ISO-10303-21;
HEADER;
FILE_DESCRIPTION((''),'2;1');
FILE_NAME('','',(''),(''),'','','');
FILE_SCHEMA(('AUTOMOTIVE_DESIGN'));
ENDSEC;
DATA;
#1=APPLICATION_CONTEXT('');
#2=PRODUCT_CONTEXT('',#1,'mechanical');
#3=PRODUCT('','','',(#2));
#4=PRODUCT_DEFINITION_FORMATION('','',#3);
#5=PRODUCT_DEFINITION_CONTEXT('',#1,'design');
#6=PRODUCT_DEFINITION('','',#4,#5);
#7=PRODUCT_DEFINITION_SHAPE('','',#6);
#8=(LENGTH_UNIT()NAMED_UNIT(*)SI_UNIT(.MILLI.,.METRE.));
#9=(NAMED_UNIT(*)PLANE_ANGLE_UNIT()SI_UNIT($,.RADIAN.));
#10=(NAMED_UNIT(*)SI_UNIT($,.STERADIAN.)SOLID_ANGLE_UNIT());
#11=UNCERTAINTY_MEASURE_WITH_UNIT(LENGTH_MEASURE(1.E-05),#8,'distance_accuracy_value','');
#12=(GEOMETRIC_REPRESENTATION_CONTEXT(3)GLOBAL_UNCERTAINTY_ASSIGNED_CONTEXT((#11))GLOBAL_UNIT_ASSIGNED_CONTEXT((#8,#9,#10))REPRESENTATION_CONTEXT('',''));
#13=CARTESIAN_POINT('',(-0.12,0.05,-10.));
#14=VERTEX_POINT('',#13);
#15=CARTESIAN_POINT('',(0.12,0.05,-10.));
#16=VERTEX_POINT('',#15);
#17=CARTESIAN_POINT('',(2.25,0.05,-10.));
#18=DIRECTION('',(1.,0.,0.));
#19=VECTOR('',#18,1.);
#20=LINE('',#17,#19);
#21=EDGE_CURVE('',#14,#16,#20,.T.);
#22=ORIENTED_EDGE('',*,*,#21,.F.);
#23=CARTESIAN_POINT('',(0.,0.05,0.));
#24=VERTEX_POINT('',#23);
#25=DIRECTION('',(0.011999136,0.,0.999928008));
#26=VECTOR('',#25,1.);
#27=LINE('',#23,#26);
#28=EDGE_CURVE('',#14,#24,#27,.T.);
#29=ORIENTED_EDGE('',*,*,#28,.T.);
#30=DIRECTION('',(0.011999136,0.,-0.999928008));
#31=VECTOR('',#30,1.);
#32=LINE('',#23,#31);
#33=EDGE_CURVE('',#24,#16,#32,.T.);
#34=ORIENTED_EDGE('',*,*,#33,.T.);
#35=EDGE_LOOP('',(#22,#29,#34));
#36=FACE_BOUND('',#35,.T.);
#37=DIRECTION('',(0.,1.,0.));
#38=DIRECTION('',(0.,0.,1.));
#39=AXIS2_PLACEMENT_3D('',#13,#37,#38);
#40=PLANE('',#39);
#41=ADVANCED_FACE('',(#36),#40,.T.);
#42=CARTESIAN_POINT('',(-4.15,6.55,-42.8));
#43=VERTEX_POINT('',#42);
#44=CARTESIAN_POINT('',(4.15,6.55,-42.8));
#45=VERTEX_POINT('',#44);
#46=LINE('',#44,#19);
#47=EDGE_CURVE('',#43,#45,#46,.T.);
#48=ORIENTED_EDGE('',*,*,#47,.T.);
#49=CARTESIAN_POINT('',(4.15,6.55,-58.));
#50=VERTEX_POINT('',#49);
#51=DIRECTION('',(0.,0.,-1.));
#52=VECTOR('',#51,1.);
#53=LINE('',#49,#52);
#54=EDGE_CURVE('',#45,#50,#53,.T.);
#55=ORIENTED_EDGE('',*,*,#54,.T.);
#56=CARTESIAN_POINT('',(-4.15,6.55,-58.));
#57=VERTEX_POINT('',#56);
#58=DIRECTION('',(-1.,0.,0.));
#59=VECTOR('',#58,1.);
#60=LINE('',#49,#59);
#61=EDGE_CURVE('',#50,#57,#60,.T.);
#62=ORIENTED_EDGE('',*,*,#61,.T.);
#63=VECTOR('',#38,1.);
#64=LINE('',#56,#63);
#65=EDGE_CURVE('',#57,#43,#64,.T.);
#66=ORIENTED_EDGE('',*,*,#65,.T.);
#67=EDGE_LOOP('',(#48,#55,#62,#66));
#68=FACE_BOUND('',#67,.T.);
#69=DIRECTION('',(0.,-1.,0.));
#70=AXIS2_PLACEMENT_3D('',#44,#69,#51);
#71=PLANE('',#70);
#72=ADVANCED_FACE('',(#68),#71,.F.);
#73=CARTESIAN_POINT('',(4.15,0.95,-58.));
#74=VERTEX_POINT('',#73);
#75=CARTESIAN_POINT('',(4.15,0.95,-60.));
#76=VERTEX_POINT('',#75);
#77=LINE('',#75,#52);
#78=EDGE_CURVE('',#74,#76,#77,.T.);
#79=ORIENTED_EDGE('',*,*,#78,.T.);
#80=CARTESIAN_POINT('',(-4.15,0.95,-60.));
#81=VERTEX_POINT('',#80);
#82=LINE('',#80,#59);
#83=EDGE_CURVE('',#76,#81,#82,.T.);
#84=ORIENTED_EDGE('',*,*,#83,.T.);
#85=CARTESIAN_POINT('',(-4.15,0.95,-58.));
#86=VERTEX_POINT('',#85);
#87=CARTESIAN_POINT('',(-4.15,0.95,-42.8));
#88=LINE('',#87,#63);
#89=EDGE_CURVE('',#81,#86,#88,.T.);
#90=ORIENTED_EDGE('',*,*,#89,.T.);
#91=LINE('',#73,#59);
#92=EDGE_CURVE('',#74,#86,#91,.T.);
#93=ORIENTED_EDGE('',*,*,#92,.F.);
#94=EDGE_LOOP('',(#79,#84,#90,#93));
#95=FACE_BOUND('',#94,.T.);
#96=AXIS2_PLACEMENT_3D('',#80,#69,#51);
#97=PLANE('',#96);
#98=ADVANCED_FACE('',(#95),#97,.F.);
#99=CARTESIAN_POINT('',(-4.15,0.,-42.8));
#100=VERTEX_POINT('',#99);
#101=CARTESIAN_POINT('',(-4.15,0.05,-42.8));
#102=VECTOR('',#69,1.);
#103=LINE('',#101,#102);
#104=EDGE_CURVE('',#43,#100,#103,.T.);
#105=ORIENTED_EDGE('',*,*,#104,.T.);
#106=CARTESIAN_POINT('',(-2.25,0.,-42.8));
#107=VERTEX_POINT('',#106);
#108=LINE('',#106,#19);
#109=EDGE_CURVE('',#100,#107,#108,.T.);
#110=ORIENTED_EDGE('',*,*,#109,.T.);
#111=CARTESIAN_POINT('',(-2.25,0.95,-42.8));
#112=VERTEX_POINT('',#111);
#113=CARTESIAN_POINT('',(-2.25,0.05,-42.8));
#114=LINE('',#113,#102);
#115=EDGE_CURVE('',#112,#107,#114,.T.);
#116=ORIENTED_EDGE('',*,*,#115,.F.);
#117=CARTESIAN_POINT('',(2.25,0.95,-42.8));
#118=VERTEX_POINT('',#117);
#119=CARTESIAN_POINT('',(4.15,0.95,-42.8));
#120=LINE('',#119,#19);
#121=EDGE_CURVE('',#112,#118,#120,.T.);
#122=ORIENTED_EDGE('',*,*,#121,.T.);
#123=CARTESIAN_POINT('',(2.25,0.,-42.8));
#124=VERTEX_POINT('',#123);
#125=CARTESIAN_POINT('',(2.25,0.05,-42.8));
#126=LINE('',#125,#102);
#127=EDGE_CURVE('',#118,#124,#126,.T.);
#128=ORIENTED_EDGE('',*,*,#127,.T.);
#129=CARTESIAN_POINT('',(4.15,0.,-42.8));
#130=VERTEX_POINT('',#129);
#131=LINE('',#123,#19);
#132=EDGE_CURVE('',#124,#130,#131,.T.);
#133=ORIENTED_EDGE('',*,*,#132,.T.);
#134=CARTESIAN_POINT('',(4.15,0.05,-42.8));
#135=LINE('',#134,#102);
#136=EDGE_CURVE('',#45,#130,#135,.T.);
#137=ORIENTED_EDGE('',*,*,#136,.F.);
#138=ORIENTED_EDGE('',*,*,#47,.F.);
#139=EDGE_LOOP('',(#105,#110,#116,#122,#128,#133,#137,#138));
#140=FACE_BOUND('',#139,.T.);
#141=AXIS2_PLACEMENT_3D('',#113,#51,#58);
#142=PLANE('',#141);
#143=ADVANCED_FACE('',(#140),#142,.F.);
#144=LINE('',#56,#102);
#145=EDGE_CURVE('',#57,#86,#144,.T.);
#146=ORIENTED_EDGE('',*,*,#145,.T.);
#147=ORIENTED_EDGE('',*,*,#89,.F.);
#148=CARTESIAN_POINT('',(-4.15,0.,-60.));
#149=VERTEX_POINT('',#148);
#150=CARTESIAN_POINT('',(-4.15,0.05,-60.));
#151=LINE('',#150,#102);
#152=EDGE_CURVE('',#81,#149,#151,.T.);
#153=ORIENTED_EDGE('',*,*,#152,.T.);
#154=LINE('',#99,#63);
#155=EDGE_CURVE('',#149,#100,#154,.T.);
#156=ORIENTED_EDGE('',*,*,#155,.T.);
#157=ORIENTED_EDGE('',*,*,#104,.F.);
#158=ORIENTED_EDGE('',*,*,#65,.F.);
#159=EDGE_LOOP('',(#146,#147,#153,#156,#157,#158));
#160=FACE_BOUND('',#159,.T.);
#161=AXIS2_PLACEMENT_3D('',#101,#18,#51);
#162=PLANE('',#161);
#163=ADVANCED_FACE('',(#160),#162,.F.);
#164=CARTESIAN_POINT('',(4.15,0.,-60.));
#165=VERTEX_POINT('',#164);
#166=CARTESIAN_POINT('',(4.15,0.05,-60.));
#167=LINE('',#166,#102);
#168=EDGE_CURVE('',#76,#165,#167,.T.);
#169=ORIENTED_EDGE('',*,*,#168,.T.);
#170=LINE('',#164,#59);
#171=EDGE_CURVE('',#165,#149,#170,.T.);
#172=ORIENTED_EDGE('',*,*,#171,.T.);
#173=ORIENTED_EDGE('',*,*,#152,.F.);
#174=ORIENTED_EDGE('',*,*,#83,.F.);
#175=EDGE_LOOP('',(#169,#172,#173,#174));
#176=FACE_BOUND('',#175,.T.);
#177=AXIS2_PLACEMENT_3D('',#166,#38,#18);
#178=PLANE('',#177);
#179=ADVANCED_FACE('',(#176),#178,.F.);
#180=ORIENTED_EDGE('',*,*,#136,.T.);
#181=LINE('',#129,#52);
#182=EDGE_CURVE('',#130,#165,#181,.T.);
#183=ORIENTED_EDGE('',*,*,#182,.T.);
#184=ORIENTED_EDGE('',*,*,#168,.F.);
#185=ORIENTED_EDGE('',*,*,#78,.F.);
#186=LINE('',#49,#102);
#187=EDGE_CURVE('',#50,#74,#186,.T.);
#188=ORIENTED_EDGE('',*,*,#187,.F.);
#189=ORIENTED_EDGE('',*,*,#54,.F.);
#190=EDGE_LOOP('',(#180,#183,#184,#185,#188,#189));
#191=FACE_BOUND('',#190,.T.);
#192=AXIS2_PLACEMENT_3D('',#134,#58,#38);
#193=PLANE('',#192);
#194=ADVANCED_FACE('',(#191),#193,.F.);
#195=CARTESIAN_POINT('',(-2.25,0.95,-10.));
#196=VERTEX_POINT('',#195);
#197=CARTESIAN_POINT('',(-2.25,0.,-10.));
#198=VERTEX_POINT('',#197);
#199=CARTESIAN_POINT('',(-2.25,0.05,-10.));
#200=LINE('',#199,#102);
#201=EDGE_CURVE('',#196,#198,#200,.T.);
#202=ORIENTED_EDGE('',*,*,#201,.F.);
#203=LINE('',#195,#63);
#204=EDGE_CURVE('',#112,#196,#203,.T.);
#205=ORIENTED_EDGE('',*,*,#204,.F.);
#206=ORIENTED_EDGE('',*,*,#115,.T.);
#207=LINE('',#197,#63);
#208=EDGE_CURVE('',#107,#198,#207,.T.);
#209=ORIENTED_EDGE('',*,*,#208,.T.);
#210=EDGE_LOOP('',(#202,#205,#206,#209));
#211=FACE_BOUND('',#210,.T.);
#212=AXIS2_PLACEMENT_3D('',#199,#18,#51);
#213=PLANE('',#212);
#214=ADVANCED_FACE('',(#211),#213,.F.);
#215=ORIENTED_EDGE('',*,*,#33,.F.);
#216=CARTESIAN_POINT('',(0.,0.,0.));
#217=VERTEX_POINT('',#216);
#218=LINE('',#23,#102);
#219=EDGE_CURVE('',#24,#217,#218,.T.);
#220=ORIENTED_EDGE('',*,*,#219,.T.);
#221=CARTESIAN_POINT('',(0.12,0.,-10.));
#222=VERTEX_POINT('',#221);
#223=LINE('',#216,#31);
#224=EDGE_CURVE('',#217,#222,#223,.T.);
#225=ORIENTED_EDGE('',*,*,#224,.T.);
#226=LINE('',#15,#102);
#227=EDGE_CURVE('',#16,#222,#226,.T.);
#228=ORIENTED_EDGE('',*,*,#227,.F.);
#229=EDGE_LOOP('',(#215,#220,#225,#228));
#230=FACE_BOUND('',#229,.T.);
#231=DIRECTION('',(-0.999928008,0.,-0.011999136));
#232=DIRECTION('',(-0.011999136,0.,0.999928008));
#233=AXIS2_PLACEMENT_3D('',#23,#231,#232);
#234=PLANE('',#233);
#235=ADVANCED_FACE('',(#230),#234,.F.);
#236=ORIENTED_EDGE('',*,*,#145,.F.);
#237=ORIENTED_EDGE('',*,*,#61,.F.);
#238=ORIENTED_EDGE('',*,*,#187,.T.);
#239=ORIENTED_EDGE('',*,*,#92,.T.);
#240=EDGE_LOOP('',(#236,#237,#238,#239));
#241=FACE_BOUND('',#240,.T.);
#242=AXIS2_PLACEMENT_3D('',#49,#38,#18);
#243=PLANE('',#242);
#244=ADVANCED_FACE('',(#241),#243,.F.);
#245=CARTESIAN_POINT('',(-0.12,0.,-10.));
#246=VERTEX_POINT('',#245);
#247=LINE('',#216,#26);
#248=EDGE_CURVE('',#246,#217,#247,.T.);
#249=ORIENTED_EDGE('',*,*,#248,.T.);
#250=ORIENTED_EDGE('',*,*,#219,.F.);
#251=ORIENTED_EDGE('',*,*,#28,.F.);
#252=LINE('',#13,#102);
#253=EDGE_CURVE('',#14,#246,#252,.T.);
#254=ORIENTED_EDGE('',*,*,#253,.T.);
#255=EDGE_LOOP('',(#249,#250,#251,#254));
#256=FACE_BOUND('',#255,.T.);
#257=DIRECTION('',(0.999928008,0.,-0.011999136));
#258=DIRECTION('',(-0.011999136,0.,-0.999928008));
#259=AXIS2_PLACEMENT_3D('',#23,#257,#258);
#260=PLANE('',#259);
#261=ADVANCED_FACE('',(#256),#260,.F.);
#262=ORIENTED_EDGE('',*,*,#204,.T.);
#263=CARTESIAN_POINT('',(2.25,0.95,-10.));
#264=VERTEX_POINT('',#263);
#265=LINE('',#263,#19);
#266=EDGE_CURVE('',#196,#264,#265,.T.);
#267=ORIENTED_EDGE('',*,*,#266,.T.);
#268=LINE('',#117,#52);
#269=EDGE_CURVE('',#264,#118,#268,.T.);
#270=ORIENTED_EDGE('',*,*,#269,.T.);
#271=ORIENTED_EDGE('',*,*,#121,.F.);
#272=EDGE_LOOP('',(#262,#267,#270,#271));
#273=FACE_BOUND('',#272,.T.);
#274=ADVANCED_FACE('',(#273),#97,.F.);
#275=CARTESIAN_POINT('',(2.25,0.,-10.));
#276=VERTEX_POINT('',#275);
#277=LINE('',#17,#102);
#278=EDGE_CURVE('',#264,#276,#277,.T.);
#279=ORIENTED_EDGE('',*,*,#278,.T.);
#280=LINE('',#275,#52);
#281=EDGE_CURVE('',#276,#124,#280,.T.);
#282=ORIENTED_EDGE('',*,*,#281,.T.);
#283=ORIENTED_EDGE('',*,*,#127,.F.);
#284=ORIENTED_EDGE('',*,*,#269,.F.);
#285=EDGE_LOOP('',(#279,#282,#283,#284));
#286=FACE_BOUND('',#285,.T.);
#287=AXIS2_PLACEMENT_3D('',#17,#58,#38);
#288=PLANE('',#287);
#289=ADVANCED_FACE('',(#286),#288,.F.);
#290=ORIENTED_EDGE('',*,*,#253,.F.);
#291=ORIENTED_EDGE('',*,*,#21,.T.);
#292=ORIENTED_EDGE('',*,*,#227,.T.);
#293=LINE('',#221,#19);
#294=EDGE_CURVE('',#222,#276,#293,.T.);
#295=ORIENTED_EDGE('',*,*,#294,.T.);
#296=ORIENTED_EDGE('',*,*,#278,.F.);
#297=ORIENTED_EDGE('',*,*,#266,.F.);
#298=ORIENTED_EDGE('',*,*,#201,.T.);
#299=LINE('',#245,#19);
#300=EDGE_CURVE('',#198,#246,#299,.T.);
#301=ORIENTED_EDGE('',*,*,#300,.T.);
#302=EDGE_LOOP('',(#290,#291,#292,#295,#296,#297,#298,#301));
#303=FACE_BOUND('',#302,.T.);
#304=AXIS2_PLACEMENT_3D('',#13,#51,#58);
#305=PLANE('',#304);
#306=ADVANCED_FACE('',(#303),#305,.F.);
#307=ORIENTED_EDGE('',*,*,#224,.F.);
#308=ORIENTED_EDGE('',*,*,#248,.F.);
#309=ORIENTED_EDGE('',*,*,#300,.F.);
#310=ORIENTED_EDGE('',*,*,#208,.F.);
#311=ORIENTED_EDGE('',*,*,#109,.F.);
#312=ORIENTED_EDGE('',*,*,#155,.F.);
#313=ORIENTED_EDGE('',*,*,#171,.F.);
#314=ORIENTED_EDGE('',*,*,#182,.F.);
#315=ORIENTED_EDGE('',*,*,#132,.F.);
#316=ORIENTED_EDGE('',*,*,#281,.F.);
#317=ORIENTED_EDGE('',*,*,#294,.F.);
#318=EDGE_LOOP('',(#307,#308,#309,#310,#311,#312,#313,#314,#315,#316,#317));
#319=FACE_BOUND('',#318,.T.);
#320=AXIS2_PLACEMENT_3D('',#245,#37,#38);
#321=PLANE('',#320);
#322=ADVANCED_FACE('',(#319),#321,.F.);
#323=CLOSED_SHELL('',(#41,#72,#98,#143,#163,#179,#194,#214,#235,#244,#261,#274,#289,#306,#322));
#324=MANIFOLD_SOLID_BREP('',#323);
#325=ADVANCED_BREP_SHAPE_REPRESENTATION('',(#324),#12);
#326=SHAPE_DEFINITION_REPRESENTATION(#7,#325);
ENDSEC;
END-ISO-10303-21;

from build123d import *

# Parameters (mm, degrees)
EXTRUDE1_DEPTH = 0.05
EXTRUDE2_DEPTH = 0.9
SKETCH5_W      = 8.3
SKETCH5_H      = 15.2
EXTRUDE3_DEPTH = 5.6


with BuildPart() as part:
    # Sketch1 → Extrude1 (new body)
    with BuildSketch(Plane(origin=(0, 0, 0), x_dir=(1, 0, 0), z_dir=(0, 1, 0))):
        Polygon((0, 0), (0.12, 10), (2.25, 10), (2.25, 42.8), (4.15, 42.8), (4.15, 60), (-4.15, 60), (-4.15, 42.8), (-2.25, 42.8), (-2.25, 10), (-0.12, 10), align=None)
    extrude(amount=EXTRUDE1_DEPTH)

    # Sketch4 → Extrude2 (add)
    with BuildSketch(Plane(origin=(0, 0.05, 0), x_dir=(1, 0, 0), z_dir=(0, 1, 0))):
        Polygon((-4.15, 60), (4.15, 60), (4.15, 42.8), (2.25, 42.8), (2.25, 10), (-2.25, 10), (-2.25, 42.8), (-4.15, 42.8), align=None)
    extrude(amount=EXTRUDE2_DEPTH)

    # Sketch5 → Extrude3 (add)
    with BuildSketch(Plane(origin=(0, 0.95, 0), x_dir=(1, 0, 0), z_dir=(0, 1, 0))):
        with Locations((0, 50.4)):
            Rectangle(SKETCH5_W, SKETCH5_H)
    extrude(amount=EXTRUDE3_DEPTH)


solid = part.part
